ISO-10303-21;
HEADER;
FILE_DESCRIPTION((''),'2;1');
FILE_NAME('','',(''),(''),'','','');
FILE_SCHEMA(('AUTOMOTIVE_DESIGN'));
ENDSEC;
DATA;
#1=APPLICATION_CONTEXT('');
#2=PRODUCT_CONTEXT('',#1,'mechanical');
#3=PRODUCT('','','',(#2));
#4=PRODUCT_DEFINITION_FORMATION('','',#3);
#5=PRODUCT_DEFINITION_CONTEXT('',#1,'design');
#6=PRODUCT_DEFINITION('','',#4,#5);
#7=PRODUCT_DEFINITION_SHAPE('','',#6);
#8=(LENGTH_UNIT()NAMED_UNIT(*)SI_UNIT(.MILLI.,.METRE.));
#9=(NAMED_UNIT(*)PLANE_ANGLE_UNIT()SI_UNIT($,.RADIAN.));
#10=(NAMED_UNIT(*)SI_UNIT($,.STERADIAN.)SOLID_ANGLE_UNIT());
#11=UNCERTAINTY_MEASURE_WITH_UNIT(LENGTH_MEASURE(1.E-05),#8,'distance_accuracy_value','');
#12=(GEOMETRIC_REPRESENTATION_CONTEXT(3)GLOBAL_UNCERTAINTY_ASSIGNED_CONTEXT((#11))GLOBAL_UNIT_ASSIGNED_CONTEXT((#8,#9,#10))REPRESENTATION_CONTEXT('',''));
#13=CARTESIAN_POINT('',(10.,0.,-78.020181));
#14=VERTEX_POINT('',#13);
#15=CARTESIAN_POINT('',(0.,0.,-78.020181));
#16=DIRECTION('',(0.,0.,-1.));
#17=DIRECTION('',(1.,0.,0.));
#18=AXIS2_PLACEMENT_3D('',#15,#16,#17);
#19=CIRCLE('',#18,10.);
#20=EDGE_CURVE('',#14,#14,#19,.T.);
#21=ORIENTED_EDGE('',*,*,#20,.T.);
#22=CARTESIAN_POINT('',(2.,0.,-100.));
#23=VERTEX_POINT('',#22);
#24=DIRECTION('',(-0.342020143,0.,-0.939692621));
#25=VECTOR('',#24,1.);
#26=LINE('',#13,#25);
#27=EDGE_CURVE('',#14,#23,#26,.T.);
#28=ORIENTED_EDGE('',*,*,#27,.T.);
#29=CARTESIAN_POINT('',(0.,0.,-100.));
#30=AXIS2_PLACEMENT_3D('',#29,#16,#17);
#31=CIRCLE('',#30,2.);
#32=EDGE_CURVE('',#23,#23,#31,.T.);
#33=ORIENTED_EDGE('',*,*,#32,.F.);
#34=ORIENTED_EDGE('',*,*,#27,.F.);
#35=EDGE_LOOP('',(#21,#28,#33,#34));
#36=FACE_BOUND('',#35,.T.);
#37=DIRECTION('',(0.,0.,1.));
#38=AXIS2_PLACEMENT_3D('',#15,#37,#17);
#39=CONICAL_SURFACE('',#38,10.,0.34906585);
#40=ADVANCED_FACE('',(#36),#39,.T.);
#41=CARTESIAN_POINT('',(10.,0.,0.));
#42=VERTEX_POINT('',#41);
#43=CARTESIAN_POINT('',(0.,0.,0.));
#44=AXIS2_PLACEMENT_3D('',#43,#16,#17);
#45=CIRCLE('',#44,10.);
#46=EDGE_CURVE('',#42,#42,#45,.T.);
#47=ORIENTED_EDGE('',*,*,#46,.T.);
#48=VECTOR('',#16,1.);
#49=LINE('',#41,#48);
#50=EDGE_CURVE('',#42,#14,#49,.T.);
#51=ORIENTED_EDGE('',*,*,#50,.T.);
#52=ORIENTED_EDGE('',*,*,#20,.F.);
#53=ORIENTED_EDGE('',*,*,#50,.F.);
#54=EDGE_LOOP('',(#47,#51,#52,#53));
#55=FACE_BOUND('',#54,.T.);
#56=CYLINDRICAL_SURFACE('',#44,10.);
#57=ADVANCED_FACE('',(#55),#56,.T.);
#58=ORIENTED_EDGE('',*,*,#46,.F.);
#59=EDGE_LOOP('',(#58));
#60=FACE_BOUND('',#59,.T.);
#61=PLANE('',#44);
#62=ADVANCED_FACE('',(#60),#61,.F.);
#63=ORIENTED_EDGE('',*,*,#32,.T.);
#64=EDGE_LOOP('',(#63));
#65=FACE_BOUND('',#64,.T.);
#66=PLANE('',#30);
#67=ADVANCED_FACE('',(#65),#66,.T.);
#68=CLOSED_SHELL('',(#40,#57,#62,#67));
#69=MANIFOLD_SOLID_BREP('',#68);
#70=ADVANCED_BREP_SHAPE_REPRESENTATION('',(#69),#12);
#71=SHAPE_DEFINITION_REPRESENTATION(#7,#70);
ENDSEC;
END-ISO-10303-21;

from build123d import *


with BuildPart() as part:
    # Sketch1 → Revolve1 (revolve)
    with BuildSketch(Plane(origin=(0, 0, 0), x_dir=(1, 0, 0), z_dir=(0, 1, 0))):
        Polygon((0, 0), (10, 0), (10, 78.020180644), (2, 100), (0, 100), align=None)
    revolve(axis=Axis((0, 0, 68.693168404), (0, 0, -1)))


solid = part.part
